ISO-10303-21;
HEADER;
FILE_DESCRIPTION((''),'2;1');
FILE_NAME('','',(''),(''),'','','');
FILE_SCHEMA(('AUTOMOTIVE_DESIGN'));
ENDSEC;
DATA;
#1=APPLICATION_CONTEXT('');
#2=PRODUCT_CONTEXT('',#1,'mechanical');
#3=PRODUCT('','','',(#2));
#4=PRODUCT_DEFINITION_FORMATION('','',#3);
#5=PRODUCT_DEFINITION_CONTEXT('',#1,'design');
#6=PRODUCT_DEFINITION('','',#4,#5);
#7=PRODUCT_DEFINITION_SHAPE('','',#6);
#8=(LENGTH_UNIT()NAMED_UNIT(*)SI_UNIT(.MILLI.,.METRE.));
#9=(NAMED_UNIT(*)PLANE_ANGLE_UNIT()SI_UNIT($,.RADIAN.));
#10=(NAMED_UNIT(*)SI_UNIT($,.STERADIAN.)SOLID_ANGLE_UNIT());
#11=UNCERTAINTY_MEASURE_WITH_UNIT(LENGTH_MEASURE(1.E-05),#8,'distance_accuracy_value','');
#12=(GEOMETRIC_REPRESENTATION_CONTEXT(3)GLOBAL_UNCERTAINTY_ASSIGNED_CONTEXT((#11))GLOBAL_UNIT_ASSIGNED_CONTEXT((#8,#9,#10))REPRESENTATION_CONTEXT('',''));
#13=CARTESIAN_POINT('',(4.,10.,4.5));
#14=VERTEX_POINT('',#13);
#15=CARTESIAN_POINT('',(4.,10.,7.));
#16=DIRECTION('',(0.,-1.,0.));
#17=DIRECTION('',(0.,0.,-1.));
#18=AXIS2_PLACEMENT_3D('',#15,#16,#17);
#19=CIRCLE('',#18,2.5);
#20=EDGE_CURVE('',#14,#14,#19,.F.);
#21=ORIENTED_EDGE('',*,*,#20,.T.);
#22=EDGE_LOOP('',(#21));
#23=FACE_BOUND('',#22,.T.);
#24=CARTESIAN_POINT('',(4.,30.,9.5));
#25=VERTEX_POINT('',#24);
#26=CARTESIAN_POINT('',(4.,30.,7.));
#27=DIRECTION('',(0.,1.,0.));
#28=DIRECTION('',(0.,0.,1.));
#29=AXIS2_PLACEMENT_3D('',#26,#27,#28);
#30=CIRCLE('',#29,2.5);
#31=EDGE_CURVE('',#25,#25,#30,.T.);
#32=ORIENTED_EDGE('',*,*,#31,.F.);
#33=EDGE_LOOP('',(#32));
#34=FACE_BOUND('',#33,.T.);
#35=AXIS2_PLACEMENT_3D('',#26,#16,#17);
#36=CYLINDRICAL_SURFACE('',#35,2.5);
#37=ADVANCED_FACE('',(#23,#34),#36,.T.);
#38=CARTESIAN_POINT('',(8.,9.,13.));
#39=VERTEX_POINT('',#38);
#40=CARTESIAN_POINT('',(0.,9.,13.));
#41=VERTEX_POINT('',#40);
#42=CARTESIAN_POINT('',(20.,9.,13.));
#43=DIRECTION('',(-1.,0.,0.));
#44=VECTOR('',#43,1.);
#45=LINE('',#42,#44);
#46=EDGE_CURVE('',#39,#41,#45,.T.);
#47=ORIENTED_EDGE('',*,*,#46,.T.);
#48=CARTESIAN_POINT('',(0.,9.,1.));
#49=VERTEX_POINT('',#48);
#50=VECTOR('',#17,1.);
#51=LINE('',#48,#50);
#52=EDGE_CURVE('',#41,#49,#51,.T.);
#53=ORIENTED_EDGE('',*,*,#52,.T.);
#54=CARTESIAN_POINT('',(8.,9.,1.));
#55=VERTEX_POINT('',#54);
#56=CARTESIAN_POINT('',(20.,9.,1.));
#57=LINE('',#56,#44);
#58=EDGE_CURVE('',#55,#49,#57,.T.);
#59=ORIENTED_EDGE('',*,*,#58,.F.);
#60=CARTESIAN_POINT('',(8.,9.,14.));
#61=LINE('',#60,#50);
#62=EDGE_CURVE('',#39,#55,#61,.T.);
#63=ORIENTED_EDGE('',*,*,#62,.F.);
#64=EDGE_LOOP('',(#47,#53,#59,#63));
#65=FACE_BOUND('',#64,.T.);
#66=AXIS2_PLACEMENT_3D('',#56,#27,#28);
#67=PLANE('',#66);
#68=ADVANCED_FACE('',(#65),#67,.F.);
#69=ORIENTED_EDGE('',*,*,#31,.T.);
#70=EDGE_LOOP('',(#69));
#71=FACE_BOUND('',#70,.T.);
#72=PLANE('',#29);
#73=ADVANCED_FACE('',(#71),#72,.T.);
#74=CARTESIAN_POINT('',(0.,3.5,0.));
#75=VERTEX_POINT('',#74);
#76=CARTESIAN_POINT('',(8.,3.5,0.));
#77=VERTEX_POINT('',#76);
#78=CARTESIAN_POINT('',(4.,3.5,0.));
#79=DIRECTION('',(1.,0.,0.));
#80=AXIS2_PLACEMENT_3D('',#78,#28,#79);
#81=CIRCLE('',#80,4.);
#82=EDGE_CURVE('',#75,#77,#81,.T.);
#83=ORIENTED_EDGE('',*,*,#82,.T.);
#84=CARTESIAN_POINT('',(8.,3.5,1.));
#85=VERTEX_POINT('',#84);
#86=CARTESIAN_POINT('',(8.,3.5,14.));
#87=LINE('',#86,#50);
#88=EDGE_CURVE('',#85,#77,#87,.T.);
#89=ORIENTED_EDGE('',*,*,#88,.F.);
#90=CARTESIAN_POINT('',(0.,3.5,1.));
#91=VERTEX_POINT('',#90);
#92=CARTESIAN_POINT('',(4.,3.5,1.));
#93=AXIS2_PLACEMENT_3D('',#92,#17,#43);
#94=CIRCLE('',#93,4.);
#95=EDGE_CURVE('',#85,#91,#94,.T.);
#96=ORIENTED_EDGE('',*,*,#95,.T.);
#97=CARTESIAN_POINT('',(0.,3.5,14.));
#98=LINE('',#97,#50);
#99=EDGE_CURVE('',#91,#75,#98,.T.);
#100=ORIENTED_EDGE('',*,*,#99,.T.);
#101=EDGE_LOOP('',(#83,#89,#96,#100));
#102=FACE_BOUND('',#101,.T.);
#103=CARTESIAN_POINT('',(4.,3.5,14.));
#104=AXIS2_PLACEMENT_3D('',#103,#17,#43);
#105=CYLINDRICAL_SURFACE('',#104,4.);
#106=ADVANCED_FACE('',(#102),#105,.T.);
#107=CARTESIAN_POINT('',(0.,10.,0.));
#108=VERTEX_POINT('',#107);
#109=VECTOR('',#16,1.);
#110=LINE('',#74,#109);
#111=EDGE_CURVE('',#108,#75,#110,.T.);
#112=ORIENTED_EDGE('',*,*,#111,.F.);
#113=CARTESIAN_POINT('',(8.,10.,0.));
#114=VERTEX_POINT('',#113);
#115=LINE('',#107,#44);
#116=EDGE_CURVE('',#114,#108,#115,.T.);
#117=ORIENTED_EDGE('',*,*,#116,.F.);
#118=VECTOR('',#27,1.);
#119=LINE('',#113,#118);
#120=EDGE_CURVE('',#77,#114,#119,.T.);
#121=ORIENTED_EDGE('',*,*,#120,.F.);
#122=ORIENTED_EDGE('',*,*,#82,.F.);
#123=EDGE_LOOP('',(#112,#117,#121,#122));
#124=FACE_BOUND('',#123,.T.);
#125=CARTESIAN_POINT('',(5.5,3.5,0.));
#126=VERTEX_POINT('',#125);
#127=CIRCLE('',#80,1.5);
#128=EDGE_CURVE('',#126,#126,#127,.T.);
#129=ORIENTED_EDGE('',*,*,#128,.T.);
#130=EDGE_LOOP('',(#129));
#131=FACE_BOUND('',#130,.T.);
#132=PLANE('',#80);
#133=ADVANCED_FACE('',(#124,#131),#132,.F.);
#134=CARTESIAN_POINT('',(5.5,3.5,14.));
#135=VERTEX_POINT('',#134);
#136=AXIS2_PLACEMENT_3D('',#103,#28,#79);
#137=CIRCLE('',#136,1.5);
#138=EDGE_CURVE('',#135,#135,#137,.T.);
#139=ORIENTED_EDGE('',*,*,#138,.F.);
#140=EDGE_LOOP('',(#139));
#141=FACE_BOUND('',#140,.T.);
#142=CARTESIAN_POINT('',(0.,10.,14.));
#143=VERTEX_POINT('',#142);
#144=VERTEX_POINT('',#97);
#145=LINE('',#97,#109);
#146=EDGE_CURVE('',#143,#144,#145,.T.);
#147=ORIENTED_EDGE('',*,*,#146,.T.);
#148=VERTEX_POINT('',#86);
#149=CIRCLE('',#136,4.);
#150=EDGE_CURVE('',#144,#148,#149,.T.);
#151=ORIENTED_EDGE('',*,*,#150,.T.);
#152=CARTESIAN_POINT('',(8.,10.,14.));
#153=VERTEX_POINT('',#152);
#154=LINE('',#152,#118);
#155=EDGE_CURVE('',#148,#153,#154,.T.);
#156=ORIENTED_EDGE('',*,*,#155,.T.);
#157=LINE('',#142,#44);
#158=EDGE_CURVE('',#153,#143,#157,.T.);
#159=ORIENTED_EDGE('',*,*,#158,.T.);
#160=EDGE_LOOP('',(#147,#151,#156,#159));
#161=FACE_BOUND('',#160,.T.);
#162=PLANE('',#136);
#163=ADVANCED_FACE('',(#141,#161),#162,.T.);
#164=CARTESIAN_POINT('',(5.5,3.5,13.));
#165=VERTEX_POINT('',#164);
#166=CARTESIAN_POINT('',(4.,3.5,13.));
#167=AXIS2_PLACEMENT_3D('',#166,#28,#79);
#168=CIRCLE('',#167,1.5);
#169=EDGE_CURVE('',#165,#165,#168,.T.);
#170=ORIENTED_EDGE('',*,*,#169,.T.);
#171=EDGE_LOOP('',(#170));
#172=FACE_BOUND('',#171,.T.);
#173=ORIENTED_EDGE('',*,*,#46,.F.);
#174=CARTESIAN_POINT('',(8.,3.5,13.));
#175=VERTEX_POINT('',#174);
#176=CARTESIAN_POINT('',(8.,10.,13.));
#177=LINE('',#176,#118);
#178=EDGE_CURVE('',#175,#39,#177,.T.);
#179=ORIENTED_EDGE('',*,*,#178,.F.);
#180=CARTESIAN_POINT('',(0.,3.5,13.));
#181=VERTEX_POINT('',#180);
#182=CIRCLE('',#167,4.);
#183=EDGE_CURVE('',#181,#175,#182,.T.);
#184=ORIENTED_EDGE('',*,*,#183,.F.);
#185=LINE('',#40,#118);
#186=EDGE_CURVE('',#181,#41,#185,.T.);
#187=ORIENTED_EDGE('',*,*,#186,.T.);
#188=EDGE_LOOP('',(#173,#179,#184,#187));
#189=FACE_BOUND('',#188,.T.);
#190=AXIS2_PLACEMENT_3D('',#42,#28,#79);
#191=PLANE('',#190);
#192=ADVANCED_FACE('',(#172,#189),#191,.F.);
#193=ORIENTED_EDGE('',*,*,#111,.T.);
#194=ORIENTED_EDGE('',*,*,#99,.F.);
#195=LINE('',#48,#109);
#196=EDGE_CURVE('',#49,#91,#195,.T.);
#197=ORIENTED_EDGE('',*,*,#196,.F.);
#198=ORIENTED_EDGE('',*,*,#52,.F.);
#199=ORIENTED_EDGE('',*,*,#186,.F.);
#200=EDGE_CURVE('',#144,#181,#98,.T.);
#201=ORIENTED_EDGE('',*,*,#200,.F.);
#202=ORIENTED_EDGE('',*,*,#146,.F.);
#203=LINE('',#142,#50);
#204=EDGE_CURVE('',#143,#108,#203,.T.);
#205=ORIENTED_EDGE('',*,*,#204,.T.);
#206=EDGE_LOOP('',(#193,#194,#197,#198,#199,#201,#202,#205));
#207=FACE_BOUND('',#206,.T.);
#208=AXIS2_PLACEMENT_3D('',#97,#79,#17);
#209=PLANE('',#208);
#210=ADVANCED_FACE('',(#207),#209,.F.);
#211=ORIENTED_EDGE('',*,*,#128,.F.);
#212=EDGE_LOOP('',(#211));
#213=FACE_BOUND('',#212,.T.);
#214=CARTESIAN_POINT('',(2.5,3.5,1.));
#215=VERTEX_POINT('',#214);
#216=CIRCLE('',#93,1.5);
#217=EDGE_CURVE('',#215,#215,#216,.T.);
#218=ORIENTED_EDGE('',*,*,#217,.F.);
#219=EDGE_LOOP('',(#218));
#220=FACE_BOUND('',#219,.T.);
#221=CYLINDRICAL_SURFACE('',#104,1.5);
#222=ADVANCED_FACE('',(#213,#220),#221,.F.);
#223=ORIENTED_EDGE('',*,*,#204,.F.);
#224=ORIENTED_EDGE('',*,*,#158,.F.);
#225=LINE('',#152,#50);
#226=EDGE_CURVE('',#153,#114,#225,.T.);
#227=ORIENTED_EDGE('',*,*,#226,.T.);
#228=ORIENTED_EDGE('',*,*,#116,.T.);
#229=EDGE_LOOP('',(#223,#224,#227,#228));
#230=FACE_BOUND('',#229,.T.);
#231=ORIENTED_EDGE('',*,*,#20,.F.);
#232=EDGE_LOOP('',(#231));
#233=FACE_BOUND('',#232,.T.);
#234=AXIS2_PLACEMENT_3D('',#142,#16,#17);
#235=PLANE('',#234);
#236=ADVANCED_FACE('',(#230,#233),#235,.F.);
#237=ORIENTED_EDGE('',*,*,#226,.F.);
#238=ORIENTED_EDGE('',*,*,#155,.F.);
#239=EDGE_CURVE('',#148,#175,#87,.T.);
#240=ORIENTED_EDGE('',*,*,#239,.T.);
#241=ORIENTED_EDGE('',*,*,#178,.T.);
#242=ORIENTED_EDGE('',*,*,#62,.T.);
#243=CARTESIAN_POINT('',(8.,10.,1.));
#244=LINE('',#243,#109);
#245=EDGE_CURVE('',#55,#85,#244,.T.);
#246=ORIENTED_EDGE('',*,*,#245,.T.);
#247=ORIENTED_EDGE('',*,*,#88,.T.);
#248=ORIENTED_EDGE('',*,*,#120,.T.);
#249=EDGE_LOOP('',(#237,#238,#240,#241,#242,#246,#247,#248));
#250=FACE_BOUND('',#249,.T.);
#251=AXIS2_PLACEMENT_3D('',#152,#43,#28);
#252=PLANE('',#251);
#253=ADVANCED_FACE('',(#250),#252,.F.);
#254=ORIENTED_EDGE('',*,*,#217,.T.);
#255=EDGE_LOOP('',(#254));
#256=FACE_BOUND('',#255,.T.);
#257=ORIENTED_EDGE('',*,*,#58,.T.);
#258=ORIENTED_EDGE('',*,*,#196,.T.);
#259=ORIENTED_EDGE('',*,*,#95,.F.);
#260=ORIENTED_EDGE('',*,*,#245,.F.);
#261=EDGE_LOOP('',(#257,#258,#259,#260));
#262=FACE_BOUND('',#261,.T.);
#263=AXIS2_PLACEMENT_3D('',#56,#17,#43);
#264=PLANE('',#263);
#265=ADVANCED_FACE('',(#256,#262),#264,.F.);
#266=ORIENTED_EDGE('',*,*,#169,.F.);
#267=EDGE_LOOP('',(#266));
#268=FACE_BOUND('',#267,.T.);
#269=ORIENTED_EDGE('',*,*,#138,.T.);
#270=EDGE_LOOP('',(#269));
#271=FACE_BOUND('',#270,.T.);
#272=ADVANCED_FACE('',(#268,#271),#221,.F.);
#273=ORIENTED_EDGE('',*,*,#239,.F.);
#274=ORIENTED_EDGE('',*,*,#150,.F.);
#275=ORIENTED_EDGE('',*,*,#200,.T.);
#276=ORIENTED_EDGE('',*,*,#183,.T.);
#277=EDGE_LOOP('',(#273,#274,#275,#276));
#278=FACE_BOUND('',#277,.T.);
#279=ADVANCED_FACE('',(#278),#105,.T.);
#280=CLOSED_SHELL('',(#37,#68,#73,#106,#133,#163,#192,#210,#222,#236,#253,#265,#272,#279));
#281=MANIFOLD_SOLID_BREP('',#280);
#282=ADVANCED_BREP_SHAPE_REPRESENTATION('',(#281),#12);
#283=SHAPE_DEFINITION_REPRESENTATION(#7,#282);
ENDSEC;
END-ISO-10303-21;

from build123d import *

# Parameters (mm, degrees)
ESQUISSE1_R      = 1.5
EXTRUSION1_DEPTH = 14
ESQUISSE2_R      = 2.5
EXTRUSION2_DEPTH = 20
ESQUISSE5_W      = 12
ESQUISSE5_H      = 9.78359792
EXTRUSION4_DEPTH = 20


with BuildPart() as part:
    # Esquisse1 → Extrusion1 (new body)
    with BuildSketch(Plane.XY):
        with BuildLine():
            Line((0, 3.5), (0, 10))
            Line((0, 10), (8, 10))
            Line((8, 10), (8, 3.5))
            ThreePointArc((8, 3.5), (4, -0.5), (0, 3.5))
        make_face()
        with Locations((4, 3.5)):
            Circle(ESQUISSE1_R, mode=Mode.SUBTRACT)
    extrude(amount=EXTRUSION1_DEPTH)

    # Esquisse2 → Extrusion2 (add)
    with BuildSketch(Plane(origin=(0, 10, 0), x_dir=(1, 0, 0), z_dir=(0, 1, 0))):
        with Locations((4, -7)):
            Circle(ESQUISSE2_R)
    extrude(amount=EXTRUSION2_DEPTH)

    # Esquisse5 → Extrusion4 (cut)
    with BuildSketch(Plane.ZY):
        with Locations((7, 4.10820104)):
            Rectangle(ESQUISSE5_W, ESQUISSE5_H)
    extrude(amount=-EXTRUSION4_DEPTH, mode=Mode.SUBTRACT)


solid = part.part
